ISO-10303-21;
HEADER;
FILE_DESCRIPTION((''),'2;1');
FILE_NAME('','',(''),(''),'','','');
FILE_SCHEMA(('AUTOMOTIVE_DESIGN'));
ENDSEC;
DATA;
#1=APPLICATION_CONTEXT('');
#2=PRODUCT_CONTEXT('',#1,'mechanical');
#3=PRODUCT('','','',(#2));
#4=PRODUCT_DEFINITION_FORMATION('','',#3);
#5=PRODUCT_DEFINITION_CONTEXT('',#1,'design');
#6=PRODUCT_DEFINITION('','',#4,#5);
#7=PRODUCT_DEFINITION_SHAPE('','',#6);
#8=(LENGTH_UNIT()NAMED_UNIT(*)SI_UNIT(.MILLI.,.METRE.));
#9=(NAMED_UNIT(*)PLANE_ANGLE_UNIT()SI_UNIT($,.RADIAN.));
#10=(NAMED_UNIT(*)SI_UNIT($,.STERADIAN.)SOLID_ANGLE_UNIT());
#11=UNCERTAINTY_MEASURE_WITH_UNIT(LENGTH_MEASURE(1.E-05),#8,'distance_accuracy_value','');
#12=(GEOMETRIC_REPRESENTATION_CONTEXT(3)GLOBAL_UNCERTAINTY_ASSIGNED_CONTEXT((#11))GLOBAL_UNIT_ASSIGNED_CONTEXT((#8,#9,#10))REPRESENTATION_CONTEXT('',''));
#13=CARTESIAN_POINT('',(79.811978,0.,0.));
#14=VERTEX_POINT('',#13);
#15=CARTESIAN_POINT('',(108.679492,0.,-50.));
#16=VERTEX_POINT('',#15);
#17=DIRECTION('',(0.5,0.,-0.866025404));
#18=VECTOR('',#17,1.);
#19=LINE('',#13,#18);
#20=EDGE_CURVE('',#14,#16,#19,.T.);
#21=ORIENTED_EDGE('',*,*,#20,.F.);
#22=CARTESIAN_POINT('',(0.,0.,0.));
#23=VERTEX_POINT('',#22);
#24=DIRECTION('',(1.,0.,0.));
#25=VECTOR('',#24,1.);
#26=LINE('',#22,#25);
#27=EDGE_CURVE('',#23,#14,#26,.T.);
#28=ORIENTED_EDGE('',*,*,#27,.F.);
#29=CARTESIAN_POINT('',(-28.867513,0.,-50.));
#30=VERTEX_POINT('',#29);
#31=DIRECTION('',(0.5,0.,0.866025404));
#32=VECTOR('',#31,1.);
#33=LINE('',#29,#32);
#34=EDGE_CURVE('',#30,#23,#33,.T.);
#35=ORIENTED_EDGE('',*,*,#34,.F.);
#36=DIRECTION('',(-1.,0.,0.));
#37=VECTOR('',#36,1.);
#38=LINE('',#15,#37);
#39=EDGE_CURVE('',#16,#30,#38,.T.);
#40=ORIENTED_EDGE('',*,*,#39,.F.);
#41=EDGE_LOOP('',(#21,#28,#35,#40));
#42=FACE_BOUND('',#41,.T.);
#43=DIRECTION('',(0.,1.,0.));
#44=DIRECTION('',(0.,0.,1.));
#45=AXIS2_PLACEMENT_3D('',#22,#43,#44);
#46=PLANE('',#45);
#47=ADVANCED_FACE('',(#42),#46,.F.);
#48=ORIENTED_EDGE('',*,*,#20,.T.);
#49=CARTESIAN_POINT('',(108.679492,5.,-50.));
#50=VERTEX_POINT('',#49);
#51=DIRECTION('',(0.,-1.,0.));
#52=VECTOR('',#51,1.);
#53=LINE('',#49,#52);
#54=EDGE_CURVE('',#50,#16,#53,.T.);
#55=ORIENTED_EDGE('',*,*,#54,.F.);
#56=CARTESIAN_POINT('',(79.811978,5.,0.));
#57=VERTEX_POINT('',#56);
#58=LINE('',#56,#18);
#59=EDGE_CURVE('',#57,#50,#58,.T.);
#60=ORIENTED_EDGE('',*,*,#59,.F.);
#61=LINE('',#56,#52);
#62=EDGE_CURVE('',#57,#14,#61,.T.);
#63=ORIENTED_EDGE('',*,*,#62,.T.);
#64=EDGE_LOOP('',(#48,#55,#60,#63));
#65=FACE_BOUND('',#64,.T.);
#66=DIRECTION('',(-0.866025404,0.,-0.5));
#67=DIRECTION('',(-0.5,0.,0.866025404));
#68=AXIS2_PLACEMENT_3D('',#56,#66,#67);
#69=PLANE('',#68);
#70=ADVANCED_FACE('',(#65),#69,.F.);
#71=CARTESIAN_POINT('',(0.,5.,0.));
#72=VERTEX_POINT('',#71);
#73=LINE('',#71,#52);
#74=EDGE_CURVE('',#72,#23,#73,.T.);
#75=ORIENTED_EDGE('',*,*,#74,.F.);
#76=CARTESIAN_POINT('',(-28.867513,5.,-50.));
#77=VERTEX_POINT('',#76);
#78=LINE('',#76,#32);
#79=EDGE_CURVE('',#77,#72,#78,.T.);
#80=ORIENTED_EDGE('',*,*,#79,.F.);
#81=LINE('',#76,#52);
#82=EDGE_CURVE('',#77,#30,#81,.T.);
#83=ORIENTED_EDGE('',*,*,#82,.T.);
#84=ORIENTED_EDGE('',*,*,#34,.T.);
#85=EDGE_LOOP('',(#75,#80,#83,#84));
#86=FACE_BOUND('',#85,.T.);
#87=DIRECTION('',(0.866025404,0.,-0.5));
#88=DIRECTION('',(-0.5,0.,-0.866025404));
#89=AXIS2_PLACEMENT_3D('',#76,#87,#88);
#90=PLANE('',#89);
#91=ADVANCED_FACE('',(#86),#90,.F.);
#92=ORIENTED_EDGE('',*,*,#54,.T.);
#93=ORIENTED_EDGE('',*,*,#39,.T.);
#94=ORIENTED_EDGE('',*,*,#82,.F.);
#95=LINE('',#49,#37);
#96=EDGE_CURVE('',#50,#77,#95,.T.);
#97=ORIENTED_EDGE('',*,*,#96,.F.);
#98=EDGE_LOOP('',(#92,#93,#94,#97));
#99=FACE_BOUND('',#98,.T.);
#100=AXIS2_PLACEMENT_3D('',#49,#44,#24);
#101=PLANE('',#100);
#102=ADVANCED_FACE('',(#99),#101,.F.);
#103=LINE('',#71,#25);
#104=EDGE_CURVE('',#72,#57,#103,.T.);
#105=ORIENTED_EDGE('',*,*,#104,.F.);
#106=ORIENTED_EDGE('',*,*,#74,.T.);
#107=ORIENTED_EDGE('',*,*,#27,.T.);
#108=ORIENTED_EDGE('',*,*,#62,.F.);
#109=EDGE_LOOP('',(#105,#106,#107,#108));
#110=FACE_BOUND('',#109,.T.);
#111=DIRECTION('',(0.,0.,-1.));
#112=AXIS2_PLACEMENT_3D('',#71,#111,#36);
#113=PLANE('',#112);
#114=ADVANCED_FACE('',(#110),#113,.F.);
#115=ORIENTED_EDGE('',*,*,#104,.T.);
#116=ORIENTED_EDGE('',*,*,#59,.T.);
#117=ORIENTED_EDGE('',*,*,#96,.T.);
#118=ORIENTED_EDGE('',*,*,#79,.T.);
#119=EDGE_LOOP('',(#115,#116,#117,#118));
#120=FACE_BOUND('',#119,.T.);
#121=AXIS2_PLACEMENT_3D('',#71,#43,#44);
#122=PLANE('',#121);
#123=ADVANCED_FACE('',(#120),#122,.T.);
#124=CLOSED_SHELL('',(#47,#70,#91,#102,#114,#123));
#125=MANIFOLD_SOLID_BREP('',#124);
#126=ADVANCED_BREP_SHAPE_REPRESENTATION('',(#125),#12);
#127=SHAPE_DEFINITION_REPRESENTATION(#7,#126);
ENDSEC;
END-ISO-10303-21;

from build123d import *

# Parameters (mm, degrees)
EXTRUDE_1_DEPTH = 5


with BuildPart() as part:
    # Эскиз1 → Бобышка-Вытянуть1 (new body)
    with BuildSketch(Plane(origin=(0, 0, 0), x_dir=(1, 0, 0), z_dir=(0, 1, 0))):
        Polygon((0, 0), (79.81197846, 0), (108.679491919, 50), (-28.867513459, 50), align=None)
    extrude(amount=EXTRUDE_1_DEPTH)


solid = part.part
